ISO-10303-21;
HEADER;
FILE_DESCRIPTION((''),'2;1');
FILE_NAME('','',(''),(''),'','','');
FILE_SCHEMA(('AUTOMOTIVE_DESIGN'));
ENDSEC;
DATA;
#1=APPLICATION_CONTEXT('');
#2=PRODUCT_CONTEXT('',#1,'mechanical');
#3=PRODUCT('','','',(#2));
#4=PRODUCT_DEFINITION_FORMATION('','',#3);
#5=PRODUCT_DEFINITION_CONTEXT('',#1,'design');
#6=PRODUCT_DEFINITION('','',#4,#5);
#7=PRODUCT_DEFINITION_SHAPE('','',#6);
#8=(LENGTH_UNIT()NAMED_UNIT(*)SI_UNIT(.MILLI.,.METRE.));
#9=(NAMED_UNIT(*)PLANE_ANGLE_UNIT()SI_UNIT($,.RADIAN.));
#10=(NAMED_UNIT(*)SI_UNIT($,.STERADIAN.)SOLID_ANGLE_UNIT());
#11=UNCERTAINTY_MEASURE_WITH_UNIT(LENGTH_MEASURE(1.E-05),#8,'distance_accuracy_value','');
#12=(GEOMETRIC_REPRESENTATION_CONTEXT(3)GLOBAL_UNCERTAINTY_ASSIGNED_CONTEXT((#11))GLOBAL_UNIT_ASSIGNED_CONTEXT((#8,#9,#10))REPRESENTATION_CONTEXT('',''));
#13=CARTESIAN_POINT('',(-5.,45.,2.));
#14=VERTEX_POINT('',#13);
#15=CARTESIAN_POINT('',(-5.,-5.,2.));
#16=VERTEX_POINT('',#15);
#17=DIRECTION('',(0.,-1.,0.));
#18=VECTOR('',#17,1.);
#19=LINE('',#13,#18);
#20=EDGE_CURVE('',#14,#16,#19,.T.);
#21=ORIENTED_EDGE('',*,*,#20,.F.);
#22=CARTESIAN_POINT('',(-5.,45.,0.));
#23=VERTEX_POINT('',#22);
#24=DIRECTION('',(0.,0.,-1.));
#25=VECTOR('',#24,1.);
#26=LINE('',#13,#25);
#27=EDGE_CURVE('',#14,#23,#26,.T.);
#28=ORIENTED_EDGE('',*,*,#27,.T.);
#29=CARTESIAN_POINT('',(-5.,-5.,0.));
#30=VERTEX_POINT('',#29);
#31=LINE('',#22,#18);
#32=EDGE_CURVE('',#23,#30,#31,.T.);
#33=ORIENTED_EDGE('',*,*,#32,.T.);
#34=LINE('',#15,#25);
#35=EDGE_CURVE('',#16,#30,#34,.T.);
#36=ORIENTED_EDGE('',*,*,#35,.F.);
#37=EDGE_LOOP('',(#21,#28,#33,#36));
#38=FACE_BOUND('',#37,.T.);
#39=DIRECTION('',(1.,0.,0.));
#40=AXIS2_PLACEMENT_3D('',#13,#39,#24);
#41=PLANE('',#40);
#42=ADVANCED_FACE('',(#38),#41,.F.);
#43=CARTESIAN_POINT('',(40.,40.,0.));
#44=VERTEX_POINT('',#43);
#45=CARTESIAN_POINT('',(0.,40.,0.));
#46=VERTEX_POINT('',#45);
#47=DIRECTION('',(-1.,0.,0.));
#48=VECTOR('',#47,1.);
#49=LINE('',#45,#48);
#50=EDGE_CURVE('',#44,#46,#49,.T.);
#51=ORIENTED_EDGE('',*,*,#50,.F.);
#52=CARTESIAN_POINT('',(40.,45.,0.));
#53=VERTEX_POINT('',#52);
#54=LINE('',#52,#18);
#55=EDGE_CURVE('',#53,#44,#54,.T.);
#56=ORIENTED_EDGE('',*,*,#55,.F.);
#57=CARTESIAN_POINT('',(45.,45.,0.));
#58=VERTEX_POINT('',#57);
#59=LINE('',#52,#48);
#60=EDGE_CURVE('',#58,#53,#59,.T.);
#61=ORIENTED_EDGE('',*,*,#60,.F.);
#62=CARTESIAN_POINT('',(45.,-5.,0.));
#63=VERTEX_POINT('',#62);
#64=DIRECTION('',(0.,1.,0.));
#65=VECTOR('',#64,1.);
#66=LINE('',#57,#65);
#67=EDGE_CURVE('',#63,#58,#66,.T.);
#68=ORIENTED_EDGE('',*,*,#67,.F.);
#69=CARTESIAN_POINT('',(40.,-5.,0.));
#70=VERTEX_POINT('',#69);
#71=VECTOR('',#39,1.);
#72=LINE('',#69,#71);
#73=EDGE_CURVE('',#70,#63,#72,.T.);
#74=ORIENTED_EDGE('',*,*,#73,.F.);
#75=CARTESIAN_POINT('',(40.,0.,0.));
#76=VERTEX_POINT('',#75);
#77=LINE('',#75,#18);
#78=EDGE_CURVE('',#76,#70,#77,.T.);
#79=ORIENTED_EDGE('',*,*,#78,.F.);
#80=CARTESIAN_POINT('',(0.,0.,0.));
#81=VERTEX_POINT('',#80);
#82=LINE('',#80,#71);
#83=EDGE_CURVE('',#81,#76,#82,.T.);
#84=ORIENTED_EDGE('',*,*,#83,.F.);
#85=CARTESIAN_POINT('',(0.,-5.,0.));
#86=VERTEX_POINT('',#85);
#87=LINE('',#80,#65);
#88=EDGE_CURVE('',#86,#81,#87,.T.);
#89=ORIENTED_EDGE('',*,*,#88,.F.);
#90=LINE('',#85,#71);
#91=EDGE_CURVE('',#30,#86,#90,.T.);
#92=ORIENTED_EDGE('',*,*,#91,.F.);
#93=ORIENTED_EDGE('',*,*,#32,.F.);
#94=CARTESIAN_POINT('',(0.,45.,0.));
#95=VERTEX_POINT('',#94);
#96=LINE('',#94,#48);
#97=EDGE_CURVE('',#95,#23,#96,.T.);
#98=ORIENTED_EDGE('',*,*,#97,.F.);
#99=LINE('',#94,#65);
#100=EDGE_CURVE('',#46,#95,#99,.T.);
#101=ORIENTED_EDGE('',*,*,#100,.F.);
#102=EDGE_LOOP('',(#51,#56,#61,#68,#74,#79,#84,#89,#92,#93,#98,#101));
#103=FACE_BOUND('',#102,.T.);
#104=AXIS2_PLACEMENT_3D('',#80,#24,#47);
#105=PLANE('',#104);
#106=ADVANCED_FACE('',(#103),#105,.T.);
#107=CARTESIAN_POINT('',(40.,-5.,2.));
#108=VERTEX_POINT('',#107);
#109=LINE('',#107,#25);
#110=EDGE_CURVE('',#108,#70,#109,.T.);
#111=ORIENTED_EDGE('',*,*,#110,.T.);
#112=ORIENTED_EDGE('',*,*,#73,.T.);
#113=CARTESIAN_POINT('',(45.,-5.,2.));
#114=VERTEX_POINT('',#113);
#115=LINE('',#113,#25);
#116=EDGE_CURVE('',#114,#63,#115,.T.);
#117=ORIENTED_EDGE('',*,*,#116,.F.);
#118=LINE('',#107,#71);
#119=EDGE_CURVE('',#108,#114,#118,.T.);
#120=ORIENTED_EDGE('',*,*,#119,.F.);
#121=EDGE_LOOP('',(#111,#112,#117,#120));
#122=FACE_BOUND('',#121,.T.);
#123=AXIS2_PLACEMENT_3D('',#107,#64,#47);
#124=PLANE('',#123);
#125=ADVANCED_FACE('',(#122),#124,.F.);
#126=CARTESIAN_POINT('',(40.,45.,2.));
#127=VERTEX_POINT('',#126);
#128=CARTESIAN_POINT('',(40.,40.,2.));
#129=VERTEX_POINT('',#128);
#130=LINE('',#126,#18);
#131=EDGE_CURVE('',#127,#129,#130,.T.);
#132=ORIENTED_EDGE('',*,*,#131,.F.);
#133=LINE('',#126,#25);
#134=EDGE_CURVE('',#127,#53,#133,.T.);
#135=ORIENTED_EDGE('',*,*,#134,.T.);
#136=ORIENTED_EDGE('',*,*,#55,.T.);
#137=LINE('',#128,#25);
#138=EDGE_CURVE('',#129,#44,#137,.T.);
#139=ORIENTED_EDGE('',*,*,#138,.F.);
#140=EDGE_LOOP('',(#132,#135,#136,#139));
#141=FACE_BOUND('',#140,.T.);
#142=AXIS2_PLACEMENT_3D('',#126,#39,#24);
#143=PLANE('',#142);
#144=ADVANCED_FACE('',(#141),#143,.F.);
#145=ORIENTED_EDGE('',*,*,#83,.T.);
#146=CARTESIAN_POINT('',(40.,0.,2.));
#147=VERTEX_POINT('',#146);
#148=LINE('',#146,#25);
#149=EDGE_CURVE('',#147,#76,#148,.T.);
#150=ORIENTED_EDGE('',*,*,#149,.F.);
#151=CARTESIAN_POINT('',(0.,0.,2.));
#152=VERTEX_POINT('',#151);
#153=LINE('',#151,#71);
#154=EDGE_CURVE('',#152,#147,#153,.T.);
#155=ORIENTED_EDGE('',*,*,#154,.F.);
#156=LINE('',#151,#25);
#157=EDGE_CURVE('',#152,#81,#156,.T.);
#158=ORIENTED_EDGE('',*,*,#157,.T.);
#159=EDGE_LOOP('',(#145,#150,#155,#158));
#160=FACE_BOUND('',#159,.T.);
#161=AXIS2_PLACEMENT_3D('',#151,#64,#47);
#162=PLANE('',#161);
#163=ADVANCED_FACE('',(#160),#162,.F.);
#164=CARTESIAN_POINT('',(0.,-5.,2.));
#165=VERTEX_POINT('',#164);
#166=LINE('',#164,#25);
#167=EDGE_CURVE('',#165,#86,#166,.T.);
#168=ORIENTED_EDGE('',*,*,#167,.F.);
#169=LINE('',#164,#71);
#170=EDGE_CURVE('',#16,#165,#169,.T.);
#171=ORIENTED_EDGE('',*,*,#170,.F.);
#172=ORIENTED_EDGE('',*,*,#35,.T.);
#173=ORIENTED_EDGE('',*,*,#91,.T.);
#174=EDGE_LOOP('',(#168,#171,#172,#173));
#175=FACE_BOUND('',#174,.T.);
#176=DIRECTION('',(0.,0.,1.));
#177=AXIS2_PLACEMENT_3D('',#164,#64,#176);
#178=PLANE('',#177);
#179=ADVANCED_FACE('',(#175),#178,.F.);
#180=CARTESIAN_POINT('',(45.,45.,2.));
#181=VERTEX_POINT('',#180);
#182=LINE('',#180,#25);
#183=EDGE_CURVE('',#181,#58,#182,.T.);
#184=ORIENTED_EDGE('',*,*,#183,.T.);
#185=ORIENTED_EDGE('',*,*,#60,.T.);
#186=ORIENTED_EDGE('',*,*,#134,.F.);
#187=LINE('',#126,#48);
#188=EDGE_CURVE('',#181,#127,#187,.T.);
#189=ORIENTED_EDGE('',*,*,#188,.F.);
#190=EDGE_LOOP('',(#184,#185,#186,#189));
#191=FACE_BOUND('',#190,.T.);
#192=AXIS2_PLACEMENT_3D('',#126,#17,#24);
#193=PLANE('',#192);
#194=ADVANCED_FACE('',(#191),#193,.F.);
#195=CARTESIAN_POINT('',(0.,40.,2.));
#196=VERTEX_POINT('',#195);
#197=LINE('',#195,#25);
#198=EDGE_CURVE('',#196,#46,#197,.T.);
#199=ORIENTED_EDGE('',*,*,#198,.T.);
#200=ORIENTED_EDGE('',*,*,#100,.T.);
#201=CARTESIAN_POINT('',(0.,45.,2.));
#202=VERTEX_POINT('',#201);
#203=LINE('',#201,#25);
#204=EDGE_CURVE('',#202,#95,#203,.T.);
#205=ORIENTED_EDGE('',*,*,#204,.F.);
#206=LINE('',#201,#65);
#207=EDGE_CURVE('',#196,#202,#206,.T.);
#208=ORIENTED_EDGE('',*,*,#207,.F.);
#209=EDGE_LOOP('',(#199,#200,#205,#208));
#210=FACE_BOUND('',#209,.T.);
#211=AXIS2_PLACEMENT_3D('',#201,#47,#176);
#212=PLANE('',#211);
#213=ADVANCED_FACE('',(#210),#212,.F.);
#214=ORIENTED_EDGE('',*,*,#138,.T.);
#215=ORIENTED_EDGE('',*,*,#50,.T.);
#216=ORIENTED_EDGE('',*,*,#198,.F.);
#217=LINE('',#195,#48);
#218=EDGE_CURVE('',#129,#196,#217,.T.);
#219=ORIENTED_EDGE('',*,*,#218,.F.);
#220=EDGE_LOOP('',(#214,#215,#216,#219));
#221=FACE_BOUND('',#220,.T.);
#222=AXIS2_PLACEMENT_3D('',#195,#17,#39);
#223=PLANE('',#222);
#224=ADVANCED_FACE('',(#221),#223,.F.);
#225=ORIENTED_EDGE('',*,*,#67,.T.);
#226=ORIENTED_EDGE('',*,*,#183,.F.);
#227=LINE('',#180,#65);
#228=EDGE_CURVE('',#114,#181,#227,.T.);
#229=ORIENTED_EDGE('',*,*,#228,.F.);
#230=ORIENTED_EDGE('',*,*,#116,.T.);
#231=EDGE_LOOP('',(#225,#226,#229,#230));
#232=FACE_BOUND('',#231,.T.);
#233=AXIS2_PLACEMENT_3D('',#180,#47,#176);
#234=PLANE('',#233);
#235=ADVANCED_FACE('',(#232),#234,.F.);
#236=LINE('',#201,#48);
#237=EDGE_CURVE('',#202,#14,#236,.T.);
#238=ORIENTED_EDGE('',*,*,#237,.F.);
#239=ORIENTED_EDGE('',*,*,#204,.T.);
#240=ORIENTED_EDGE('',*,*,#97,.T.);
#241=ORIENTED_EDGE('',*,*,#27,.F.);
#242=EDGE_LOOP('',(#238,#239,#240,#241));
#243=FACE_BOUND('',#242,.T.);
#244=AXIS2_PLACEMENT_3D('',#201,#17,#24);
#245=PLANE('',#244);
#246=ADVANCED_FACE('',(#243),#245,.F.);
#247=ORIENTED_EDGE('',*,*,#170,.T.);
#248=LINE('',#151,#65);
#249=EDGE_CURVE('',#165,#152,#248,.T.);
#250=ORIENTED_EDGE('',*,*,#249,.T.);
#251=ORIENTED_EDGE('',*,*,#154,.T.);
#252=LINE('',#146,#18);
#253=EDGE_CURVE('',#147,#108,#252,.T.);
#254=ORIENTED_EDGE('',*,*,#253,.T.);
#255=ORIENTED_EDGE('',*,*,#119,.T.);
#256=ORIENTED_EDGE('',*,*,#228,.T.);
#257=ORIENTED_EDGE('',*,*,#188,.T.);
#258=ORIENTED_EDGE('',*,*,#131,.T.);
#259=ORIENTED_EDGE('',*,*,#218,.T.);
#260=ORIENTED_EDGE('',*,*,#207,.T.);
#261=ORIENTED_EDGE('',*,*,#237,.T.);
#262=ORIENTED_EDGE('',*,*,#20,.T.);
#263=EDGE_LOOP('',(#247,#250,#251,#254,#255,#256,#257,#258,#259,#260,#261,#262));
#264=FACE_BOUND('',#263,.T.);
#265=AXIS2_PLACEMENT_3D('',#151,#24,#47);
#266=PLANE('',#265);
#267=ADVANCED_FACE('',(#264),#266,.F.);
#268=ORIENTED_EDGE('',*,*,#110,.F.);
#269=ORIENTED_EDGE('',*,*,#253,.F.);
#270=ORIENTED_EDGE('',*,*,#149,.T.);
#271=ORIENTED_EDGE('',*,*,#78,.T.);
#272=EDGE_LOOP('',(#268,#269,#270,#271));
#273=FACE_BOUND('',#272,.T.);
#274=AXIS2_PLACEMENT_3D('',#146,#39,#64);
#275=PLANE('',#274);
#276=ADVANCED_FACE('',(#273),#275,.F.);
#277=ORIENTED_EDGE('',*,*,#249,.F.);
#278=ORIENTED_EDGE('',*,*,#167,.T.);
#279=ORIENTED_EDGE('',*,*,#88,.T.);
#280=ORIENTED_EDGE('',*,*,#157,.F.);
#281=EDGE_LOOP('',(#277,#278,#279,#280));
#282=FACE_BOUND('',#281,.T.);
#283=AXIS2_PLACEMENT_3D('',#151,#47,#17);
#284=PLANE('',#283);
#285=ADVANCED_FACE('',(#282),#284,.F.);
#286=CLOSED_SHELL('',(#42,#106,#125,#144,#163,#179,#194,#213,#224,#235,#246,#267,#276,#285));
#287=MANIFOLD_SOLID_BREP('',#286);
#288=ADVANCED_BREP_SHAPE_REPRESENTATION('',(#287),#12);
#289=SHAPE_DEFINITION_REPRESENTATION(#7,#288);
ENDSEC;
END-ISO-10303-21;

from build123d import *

# Parameters (mm, degrees)
EXTRUDE_1_DEPTH = 2


with BuildPart() as part:
    # 草图1 → 凸台-拉伸1 (new body)
    with BuildSketch(Plane.XY):
        Polygon((0, 0), (40, 0), (40, -5), (45, -5), (45, 45), (40, 45), (40, 40), (0, 40), (0, 45), (-5, 45), (-5, -5), (0, -5), align=None)
    extrude(amount=EXTRUDE_1_DEPTH)


solid = part.part
